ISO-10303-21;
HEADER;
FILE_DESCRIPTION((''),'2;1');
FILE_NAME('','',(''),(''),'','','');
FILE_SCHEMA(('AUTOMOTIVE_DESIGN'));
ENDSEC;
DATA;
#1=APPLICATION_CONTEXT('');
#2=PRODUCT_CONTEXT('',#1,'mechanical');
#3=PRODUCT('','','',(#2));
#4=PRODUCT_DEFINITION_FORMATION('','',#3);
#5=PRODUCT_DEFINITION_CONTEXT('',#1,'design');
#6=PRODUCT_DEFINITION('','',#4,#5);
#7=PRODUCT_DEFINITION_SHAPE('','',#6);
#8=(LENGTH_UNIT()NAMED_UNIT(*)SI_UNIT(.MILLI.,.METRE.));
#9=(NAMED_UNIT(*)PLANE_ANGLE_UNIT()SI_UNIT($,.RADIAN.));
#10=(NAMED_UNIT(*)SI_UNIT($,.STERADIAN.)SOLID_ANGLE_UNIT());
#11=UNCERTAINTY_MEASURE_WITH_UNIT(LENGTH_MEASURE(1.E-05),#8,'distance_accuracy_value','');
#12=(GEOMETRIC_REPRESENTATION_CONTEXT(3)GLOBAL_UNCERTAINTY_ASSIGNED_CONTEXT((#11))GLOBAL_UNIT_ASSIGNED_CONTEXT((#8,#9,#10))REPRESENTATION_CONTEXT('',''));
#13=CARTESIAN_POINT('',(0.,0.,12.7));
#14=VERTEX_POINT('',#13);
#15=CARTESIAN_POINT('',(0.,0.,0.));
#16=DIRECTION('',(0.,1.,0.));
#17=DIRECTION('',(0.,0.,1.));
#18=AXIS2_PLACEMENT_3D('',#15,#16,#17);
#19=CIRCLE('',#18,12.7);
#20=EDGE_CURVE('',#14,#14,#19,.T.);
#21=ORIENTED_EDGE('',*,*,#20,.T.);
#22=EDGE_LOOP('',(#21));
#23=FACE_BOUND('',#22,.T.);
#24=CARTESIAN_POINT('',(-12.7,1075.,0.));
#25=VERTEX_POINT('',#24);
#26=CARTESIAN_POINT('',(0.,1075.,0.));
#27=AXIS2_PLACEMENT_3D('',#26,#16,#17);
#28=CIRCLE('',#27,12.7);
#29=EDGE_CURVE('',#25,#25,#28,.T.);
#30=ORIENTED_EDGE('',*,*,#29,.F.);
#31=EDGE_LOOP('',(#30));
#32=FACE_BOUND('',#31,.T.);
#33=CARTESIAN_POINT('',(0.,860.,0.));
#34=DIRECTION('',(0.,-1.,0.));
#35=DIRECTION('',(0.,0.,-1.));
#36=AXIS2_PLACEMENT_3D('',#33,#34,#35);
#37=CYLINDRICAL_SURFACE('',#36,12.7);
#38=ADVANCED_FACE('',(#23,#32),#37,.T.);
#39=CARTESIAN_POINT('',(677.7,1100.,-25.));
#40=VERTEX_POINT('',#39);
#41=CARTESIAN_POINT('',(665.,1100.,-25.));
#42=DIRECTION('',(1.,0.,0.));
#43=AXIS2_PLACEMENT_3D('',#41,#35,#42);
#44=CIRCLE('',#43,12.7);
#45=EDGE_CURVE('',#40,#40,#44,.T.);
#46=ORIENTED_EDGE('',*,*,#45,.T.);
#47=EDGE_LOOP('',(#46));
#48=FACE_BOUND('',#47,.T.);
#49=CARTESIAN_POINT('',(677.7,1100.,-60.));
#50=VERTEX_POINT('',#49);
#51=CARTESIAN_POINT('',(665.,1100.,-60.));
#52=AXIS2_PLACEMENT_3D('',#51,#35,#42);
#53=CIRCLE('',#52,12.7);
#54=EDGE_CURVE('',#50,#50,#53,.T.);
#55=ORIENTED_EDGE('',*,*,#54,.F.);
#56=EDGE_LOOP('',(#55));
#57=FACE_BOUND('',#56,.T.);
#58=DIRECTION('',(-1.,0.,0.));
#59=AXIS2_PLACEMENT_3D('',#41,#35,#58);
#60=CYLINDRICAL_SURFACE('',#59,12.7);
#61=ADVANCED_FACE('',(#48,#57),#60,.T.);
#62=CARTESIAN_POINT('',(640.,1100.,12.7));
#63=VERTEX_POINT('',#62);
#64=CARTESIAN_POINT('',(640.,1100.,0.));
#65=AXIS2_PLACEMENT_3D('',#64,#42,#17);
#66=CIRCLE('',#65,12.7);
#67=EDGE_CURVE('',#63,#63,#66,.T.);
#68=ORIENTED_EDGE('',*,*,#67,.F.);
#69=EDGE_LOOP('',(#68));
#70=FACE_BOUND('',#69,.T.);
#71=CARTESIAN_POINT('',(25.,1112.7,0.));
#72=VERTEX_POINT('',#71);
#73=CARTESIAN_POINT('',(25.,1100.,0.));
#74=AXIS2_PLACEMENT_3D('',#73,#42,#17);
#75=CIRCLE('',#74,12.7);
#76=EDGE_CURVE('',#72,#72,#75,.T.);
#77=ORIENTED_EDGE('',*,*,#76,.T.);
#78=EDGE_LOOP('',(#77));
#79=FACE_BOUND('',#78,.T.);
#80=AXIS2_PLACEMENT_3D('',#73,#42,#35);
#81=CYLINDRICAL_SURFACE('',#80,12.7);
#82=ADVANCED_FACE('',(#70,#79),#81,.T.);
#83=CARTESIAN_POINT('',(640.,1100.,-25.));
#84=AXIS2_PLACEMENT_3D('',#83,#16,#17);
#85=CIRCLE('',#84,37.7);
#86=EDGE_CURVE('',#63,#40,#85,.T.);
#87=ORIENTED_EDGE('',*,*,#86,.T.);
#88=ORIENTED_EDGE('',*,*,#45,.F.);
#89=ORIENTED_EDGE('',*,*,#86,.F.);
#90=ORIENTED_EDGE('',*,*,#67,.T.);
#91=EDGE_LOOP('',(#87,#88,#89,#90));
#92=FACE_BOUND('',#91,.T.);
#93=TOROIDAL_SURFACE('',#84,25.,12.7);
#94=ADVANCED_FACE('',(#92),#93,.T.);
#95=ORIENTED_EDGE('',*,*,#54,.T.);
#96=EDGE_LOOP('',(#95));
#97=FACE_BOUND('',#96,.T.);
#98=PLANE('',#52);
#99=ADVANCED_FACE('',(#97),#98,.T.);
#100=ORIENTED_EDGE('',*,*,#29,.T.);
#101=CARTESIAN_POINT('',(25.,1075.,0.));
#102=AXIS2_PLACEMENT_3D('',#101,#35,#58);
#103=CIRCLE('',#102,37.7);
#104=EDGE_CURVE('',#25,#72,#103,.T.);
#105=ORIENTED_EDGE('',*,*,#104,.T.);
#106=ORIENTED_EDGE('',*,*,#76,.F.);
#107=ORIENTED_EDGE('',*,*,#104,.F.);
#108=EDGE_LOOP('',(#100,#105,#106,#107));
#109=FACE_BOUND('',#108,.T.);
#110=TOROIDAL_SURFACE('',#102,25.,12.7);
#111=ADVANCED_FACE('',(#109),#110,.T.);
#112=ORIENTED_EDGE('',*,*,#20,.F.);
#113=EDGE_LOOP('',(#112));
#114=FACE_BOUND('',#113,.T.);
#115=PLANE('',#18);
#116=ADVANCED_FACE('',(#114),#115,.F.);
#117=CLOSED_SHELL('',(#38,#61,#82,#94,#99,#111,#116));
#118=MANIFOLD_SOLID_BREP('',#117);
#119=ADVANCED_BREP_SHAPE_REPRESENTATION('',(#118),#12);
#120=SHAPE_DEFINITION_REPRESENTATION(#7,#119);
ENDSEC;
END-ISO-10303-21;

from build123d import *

# Parameters (mm, degrees)
CROQUIS1_R              = 12.7
SALIENTE_EXTRUIR1_DEPTH = 860
CROQUIS2_R              = 12.7


with BuildPart() as part:
    # Croquis1 → Saliente-Extruir1 (new body)
    with BuildSketch(Plane(origin=(0, 0, 0), x_dir=(1, 0, 0), z_dir=(0, 1, 0))):
        with Locations(Location((0, 0, 0), (0, 0, 270))):
            Circle(CROQUIS1_R)
    extrude(amount=SALIENTE_EXTRUIR1_DEPTH)

    # Barrer1: sweep along a curve in space
    with BuildLine() as barrer1_path:
        Line((0, 860, 0), (0, 1075, 0))
        ThreePointArc((0, 1075, 0), (7.32233047, 1092.67766953, 0), (25, 1100, 0))
        Line((25, 1100, 0), (640, 1100, 0))
        ThreePointArc((640, 1100, 0), (657.67766953, 1100, -7.32233047), (665, 1100, -25))
        Line((665, 1100, -25), (665, 1100, -60))
    # Croquis2 → Barrer1 (sweep)
    with BuildSketch(Plane(origin=(0, 860, 0), x_dir=(1, 0, 0), z_dir=(0, 1, 0))):
        Circle(CROQUIS2_R)
    sweep(path=barrer1_path.line)


solid = part.part
